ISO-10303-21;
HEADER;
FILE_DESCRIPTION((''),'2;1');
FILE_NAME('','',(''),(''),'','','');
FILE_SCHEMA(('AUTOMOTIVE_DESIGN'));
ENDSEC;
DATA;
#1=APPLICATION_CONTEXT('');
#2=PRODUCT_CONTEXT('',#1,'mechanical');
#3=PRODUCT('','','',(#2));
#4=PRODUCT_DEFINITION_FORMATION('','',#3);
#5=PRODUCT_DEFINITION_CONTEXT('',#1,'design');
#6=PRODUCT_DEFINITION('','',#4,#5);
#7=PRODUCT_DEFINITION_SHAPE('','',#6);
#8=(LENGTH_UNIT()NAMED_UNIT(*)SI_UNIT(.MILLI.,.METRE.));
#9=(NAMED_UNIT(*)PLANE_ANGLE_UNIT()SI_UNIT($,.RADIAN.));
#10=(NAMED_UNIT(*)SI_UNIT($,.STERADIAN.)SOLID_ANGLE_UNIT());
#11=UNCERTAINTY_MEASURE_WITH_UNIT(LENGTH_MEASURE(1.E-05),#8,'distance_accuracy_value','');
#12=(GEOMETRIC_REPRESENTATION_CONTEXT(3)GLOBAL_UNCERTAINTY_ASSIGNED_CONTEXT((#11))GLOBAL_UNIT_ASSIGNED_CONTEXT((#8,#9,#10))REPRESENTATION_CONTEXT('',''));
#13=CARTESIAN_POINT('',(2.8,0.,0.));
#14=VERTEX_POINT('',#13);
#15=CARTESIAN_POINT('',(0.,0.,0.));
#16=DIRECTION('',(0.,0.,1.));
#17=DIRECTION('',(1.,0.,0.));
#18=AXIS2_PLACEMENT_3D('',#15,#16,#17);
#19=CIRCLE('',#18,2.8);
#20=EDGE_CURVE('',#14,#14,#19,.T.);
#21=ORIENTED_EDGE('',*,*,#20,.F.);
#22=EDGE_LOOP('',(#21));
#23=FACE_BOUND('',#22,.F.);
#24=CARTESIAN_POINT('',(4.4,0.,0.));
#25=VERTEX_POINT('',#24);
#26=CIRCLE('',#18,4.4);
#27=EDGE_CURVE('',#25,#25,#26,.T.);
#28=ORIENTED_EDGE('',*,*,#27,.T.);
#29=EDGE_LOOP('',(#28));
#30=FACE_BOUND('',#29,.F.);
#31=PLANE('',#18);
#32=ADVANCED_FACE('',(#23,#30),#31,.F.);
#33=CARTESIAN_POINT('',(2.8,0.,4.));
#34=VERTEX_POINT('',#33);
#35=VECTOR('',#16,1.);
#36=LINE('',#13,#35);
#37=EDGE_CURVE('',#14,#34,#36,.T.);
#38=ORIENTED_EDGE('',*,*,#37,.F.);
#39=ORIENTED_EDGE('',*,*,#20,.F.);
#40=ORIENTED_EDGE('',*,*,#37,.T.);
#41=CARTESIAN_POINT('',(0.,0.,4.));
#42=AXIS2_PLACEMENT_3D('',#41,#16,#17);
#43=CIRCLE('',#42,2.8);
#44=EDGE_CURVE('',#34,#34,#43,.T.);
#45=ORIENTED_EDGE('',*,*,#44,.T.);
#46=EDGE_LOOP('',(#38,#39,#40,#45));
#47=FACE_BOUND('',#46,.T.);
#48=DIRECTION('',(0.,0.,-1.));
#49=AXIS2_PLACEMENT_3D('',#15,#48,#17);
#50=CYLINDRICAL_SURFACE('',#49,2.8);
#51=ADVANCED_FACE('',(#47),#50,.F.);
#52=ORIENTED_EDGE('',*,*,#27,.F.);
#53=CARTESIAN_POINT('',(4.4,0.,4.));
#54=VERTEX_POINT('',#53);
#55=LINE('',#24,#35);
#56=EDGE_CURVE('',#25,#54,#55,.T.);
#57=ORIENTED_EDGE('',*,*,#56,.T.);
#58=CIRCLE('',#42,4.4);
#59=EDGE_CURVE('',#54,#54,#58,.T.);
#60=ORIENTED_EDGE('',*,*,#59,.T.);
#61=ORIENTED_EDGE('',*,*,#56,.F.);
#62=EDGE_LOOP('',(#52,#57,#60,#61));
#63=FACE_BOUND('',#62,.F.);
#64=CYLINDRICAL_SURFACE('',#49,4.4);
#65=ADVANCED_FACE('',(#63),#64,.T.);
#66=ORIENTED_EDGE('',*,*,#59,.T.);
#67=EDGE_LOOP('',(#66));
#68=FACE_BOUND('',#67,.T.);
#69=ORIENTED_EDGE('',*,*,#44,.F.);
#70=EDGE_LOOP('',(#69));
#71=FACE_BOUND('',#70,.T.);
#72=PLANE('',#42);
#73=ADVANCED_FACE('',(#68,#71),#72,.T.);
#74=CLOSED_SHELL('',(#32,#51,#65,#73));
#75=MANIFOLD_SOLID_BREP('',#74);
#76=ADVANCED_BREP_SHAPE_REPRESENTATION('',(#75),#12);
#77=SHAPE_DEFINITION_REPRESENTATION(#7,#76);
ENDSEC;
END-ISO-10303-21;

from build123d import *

# Parameters (mm, degrees)
SKETCH_R   = 4.4
SKETCH_R_2 = 2.8
PAD_DEPTH  = 4


with BuildPart() as part:
    # Sketch → Pad (new body)
    with BuildSketch(Plane.XY):
        Circle(SKETCH_R)
        Circle(SKETCH_R_2, mode=Mode.SUBTRACT)
    extrude(amount=PAD_DEPTH)


solid = part.part
